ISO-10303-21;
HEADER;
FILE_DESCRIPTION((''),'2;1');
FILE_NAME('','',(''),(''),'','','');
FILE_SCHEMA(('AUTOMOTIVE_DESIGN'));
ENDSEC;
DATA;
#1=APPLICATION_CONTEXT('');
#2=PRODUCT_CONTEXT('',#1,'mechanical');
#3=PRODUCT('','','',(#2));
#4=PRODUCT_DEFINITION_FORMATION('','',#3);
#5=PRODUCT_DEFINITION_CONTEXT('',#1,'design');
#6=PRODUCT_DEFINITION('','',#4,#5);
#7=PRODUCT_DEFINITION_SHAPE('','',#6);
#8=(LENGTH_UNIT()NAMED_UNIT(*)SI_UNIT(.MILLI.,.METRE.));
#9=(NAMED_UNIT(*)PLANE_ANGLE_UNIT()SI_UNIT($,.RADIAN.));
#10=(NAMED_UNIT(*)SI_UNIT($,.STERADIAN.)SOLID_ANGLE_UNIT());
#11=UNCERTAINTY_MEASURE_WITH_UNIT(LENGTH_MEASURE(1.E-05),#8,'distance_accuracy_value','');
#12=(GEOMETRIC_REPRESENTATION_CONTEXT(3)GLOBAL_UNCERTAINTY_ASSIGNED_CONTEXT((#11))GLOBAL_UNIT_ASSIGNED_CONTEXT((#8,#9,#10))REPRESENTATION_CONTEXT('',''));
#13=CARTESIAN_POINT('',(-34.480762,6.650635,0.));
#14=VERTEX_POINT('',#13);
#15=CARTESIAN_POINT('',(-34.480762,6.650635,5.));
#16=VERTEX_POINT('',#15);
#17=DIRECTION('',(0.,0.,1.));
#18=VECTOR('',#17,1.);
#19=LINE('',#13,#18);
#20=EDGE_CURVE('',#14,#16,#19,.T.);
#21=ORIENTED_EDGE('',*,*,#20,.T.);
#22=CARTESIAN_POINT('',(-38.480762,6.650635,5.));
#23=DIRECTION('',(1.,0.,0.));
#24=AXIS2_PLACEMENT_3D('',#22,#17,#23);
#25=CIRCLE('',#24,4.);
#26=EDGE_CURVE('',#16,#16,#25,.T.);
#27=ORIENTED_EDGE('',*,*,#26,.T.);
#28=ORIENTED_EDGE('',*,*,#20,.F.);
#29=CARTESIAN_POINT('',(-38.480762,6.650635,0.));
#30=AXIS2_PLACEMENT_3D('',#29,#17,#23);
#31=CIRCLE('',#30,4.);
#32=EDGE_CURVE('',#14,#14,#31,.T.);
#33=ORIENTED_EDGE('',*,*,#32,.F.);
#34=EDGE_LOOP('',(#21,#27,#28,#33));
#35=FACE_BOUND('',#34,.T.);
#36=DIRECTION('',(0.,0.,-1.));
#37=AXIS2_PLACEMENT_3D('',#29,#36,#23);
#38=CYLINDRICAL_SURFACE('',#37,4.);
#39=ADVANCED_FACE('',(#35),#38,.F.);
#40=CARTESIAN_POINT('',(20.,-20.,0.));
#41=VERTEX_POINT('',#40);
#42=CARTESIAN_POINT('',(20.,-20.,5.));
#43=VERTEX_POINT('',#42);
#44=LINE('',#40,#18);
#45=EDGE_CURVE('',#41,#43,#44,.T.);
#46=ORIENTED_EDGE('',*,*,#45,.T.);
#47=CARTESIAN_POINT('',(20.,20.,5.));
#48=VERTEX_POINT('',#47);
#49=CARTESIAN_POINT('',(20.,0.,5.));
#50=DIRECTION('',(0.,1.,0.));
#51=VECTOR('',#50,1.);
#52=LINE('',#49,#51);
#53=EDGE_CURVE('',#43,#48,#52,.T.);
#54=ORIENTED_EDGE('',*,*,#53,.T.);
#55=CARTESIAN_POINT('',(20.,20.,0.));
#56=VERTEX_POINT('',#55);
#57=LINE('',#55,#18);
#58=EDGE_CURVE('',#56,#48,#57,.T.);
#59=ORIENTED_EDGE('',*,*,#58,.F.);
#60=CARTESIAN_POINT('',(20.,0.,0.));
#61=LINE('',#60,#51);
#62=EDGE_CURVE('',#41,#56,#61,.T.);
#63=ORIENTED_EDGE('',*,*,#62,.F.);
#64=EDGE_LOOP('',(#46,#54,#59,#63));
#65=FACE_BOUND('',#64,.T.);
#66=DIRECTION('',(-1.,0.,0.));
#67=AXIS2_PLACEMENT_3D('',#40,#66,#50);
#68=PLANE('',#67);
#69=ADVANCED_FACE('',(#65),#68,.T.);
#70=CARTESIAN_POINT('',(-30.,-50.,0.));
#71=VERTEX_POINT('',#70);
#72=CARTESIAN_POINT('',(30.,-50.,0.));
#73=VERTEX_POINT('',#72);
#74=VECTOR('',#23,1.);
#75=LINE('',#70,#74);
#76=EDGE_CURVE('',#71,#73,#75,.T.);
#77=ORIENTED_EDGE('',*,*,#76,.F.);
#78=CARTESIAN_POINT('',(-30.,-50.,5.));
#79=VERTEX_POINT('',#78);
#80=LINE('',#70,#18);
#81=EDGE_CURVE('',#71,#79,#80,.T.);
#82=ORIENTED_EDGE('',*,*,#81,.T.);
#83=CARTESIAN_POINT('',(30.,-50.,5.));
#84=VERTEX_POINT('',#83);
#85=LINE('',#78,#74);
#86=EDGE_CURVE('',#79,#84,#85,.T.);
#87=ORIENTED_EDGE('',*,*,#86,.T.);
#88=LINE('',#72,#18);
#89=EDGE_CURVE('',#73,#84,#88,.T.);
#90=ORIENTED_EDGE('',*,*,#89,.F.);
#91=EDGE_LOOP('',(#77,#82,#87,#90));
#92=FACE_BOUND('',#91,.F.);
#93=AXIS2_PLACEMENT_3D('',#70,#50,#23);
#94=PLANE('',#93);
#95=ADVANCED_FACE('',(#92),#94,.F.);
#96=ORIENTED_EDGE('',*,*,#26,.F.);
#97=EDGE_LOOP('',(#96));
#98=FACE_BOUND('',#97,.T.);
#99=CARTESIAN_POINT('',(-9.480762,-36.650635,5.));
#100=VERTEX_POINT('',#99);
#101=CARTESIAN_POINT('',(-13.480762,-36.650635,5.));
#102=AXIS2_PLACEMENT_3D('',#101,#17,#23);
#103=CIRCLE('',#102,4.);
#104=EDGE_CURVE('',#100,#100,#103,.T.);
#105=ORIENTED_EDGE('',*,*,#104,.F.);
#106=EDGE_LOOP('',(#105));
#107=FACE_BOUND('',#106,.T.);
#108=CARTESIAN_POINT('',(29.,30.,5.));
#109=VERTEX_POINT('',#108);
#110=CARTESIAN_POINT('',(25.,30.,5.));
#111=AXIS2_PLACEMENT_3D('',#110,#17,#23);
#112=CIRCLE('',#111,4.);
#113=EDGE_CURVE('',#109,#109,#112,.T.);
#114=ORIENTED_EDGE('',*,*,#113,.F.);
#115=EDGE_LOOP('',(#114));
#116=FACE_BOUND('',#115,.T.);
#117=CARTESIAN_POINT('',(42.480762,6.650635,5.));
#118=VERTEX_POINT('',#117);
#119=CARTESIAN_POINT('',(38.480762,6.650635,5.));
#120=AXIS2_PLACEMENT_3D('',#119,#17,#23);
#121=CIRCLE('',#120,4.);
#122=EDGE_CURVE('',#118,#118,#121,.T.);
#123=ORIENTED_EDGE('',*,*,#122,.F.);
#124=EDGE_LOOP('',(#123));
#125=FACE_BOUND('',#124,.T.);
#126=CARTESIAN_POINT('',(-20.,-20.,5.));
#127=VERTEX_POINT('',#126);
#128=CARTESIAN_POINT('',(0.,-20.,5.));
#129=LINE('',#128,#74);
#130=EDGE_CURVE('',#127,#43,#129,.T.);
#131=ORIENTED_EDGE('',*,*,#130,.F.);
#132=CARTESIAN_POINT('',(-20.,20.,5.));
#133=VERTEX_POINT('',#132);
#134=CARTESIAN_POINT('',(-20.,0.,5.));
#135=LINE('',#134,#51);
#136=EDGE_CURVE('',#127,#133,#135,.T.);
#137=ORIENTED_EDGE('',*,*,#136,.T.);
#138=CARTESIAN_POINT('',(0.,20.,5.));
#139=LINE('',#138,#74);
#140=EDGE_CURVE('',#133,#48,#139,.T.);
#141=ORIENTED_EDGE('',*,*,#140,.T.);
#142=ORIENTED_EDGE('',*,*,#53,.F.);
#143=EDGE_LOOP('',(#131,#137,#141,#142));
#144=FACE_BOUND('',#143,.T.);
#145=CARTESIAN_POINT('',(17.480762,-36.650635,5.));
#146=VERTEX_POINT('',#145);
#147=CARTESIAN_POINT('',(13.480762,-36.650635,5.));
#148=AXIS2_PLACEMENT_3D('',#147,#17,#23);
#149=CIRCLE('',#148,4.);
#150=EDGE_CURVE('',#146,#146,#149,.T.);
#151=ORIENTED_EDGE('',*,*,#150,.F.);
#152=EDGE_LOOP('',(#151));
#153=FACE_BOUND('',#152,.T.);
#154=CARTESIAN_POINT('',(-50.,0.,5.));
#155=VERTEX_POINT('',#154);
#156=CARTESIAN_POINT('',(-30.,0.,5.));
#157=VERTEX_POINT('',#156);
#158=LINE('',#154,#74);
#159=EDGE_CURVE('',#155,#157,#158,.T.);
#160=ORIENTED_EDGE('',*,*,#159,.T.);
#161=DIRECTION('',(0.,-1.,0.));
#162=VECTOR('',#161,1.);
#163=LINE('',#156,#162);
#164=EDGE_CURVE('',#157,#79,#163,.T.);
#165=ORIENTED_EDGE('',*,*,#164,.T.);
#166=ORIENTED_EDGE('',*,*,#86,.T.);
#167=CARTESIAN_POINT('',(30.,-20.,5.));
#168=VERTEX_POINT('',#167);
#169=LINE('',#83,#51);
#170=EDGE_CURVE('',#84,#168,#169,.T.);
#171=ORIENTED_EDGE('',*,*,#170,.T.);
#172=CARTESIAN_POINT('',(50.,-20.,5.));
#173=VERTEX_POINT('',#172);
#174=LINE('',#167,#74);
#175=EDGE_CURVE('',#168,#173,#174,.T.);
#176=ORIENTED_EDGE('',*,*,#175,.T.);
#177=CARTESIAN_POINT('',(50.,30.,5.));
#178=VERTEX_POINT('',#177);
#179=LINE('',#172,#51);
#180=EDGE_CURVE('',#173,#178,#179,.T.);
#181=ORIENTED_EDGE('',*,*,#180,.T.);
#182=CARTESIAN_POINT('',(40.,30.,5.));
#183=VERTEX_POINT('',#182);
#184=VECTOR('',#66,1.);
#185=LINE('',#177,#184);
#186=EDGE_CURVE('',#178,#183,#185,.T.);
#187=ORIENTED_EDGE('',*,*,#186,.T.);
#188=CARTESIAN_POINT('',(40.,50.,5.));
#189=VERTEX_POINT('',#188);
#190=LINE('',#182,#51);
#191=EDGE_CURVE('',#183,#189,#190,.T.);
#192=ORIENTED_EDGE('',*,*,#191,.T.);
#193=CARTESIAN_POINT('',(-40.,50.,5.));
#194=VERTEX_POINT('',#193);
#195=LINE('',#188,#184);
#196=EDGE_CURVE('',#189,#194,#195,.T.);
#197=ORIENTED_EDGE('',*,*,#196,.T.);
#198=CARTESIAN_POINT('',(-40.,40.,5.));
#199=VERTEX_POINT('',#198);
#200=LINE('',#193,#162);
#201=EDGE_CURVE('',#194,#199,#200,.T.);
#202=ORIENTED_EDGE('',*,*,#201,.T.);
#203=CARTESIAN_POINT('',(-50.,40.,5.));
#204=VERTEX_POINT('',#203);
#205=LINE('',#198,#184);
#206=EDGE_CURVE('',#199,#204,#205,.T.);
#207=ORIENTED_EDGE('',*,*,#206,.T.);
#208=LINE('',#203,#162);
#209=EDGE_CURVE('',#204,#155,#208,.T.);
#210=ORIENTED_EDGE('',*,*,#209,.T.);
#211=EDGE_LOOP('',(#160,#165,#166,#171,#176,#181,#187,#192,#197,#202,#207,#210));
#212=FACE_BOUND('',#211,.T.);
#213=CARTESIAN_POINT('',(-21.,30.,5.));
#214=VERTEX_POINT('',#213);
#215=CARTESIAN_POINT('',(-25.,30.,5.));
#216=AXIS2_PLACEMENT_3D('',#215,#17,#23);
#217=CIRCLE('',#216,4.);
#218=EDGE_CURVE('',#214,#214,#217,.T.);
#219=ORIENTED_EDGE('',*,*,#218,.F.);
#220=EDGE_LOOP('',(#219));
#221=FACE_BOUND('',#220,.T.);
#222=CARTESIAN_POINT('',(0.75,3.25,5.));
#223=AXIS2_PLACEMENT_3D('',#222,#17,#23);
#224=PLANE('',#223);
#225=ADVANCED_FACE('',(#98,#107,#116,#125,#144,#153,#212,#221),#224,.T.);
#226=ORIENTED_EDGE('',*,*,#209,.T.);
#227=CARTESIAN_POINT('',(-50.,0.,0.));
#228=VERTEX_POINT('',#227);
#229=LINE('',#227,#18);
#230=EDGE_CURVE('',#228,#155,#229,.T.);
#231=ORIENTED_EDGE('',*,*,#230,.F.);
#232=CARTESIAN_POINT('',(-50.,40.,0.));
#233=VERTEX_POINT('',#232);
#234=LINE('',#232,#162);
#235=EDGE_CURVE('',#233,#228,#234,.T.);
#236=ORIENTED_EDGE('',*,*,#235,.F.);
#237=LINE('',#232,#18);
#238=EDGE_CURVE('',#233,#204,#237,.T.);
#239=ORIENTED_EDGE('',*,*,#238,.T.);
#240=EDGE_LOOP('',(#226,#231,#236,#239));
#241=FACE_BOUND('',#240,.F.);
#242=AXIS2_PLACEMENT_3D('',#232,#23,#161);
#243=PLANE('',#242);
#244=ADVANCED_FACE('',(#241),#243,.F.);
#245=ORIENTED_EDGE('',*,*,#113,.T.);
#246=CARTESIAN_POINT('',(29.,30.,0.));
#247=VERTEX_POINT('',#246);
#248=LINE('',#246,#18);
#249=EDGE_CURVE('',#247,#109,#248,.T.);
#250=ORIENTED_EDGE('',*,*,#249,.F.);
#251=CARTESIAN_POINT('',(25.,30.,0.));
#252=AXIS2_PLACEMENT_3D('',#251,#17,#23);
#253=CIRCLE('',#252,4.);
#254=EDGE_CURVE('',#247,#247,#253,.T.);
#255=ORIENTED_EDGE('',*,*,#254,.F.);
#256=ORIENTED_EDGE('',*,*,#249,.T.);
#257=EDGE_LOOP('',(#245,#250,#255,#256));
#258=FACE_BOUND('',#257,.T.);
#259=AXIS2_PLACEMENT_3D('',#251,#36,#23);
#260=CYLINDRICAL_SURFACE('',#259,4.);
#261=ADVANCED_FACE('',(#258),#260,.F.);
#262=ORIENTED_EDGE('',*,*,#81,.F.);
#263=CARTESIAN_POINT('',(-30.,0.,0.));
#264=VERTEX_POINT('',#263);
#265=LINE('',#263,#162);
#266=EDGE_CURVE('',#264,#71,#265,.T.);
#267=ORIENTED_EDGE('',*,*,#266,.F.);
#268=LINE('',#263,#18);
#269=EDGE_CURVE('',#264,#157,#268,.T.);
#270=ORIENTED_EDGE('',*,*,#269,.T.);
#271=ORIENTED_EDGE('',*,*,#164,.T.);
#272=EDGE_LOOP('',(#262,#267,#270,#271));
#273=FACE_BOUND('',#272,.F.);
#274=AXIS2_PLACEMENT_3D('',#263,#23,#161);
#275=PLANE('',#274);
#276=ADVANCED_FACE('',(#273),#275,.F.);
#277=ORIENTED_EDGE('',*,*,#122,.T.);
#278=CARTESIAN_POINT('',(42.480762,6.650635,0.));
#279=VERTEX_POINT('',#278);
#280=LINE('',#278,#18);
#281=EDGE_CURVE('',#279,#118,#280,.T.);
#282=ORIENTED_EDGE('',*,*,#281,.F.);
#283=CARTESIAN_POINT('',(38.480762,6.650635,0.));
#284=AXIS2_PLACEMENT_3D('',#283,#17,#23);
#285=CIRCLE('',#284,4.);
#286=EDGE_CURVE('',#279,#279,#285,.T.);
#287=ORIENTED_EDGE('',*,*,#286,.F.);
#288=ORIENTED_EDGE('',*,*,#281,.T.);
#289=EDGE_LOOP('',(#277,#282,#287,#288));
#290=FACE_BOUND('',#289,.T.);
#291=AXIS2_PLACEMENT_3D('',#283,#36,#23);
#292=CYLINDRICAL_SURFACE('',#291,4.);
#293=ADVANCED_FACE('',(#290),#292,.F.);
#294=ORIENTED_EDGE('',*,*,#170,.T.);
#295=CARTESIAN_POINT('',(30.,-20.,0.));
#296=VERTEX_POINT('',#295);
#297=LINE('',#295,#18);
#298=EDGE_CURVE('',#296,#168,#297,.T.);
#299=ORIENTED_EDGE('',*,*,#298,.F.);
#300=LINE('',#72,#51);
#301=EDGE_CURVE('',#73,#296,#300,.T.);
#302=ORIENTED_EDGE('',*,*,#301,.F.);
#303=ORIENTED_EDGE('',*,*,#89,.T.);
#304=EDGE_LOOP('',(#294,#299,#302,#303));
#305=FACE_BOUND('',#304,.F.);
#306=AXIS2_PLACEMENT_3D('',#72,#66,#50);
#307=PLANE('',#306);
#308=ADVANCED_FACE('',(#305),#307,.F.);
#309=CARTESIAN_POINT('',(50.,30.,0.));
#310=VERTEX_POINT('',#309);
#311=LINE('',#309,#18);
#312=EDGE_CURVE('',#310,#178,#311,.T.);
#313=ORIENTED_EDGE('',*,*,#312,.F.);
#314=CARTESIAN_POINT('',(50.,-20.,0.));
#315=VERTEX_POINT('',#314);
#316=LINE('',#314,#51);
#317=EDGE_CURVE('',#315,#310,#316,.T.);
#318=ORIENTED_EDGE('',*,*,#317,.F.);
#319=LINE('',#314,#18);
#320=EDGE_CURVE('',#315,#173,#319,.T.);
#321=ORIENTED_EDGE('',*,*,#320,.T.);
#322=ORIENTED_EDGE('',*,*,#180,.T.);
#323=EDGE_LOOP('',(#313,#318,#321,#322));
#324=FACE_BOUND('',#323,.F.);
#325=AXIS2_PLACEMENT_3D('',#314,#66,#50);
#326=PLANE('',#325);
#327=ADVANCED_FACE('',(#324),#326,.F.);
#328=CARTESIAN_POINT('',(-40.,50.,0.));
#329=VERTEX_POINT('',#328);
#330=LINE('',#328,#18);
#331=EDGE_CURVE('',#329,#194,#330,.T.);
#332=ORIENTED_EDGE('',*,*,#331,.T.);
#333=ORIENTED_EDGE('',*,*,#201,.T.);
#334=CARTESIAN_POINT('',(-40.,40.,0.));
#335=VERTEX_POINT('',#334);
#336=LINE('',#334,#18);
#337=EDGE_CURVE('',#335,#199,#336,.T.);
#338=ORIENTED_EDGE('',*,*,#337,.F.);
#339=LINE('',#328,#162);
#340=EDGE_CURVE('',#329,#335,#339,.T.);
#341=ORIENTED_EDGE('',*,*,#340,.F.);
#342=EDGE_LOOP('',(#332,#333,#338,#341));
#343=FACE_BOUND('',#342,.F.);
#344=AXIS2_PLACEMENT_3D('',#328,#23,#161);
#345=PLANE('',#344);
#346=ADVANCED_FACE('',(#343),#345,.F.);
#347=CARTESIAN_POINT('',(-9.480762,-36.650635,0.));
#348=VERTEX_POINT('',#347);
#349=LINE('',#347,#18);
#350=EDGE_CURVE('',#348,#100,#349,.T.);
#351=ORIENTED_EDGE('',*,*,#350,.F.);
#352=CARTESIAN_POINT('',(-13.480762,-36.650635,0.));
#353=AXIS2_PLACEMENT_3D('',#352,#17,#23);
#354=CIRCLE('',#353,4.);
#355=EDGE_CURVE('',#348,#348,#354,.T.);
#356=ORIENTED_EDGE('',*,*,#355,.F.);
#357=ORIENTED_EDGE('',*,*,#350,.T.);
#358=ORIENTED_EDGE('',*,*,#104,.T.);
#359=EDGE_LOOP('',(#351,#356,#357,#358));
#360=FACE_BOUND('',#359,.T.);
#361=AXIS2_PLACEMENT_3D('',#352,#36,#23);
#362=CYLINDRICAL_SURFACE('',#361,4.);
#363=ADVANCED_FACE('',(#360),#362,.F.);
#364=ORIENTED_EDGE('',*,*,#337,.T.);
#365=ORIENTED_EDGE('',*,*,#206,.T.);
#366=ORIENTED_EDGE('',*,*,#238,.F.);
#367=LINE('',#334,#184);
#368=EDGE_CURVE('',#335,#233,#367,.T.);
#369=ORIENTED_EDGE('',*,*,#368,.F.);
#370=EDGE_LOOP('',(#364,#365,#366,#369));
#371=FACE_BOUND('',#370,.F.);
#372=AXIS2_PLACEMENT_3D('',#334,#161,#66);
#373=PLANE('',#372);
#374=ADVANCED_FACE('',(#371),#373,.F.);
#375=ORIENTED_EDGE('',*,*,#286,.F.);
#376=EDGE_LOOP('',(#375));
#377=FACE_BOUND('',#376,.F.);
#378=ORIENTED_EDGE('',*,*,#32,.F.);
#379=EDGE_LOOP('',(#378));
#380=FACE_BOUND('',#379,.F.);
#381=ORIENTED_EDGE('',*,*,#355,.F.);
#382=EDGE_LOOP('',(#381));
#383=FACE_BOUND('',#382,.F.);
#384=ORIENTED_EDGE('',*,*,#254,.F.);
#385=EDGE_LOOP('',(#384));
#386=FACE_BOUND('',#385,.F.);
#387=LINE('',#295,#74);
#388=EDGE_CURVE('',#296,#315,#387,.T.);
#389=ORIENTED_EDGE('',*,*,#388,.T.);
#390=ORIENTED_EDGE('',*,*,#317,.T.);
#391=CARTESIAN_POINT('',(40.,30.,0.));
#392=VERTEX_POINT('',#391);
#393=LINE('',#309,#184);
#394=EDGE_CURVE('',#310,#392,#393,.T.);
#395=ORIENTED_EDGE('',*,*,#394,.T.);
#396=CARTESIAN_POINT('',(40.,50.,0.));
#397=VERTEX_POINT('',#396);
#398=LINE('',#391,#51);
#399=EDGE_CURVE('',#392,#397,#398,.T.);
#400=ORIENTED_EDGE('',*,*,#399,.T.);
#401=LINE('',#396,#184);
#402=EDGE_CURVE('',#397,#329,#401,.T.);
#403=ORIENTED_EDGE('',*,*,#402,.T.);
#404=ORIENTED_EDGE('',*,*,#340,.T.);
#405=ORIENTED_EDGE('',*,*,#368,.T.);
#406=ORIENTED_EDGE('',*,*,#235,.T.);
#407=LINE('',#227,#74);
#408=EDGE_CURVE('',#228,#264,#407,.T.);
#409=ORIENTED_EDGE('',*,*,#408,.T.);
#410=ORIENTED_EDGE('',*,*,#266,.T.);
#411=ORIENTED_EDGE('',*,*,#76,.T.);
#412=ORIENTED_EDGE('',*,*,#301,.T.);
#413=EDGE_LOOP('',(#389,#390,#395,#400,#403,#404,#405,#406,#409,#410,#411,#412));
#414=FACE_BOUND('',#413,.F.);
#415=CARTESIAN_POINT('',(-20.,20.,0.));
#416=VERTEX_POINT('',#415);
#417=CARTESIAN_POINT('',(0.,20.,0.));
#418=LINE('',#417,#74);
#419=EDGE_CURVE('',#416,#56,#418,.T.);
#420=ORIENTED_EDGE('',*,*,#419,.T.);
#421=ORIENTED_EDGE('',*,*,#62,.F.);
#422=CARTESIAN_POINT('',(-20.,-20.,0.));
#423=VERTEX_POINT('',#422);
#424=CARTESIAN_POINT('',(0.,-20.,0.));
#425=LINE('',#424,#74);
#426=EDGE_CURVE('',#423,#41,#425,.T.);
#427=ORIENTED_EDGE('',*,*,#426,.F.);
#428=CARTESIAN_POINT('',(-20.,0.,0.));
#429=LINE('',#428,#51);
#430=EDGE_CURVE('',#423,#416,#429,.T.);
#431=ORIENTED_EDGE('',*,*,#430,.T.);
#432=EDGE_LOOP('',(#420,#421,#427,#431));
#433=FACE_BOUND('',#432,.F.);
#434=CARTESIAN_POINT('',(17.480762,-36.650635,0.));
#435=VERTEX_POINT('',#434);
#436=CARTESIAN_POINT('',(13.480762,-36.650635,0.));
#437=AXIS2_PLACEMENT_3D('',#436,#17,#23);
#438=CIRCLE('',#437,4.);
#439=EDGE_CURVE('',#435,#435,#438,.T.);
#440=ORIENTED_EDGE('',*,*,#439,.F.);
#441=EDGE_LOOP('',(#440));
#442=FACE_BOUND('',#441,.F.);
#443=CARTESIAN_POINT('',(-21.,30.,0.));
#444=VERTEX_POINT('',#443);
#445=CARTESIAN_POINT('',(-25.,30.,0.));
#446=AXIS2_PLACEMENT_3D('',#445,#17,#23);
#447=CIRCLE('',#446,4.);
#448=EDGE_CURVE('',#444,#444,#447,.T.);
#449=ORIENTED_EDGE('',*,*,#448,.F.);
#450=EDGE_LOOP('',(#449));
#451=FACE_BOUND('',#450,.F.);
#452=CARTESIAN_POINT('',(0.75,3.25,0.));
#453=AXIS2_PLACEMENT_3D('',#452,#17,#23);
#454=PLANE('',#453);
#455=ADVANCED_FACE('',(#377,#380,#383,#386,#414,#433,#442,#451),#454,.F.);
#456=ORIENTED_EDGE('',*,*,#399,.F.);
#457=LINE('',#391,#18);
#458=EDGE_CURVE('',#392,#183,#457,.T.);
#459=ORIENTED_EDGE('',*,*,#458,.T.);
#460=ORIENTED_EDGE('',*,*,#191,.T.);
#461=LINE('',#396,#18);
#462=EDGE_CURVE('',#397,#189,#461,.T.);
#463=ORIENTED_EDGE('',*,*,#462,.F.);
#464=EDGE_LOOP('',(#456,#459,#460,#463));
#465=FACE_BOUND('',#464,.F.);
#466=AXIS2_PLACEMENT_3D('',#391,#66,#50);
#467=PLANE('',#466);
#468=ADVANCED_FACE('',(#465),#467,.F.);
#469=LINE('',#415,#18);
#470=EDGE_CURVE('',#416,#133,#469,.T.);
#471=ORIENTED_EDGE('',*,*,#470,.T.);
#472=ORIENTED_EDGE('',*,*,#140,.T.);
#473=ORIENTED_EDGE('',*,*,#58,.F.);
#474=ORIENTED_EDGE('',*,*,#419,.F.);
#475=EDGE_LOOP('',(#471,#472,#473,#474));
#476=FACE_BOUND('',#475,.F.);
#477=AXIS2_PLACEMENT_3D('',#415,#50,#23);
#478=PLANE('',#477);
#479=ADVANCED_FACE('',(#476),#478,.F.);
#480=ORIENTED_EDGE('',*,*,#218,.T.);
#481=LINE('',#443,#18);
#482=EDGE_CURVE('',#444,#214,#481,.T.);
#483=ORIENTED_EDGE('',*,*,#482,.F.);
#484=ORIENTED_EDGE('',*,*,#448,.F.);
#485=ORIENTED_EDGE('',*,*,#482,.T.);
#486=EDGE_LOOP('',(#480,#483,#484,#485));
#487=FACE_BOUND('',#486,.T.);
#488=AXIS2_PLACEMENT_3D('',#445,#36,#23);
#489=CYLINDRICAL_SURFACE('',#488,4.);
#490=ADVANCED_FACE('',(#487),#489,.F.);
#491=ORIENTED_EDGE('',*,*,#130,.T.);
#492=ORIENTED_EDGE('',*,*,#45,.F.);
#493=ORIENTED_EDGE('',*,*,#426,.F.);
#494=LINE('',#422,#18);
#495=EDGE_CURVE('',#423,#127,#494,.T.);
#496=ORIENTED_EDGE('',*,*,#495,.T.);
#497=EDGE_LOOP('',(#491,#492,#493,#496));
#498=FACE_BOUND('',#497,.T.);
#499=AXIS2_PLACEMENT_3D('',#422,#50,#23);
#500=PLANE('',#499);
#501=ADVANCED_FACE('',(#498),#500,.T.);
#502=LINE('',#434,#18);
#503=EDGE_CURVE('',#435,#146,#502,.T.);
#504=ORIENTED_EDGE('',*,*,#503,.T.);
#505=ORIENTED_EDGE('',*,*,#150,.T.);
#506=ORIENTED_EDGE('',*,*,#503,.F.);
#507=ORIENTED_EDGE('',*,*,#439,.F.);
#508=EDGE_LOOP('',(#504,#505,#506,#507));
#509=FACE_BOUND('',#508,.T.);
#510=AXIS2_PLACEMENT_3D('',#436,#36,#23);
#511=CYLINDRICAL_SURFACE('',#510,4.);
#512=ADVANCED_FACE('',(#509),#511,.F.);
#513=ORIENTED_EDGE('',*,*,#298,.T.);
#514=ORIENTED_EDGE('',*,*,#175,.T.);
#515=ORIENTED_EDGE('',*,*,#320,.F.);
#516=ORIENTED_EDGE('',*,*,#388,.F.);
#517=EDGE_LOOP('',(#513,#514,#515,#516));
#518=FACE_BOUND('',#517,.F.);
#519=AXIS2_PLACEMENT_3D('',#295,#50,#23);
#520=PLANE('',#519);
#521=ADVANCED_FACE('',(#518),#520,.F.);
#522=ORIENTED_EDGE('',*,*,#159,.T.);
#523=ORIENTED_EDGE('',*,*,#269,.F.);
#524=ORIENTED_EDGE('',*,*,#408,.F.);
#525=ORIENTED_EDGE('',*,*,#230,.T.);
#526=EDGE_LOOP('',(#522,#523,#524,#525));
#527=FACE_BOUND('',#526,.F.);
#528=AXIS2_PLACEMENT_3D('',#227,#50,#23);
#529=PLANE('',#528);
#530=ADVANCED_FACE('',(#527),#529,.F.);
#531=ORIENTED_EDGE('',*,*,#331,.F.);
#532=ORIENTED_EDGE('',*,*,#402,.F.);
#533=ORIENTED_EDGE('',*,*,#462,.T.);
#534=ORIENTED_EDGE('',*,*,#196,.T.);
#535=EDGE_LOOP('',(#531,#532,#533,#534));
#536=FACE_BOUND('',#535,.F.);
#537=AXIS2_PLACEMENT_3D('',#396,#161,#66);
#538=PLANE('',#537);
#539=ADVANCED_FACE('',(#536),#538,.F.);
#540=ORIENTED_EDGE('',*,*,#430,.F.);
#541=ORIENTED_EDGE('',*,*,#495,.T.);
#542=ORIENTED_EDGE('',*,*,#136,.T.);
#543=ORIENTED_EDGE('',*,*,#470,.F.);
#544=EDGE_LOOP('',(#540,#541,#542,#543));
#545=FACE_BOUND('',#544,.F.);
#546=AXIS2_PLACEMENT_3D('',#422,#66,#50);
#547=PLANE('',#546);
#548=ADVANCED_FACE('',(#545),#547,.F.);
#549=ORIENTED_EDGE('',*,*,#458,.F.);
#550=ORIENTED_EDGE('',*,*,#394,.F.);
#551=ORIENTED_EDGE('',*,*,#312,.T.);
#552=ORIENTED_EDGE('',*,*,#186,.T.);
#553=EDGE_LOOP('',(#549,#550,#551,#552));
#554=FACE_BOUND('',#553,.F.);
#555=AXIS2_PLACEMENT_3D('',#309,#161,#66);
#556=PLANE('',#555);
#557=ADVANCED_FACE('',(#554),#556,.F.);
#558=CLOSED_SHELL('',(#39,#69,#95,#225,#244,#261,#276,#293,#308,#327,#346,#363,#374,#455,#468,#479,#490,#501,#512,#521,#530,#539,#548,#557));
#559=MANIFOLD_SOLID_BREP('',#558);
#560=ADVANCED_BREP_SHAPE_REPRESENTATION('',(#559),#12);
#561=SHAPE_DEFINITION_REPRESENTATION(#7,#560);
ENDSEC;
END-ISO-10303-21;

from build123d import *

# Parameters (mm, degrees)
F0_R     = 4
F0_W     = 40
F0_H     = 40
F1_DEPTH = 5


with BuildPart() as f1:
    # F0 (on Top) → F1 (new body)
    with BuildSketch(Plane.XY):
        Polygon((40, 50), (-40, 50), (-40, 40), (-50, 40), (-50, 0), (-30, 0), (-30, -50), (30, -50), (30, -20), (50, -20), (50, 30), (40, 30), align=None)
        with Locations((-13.480762, -36.650635)):
            Circle(F0_R, mode=Mode.SUBTRACT)
        with Locations((13.480762, -36.650635)):
            Circle(F0_R, mode=Mode.SUBTRACT)
        with Locations((-38.480762, 6.650635)):
            Circle(F0_R, mode=Mode.SUBTRACT)
        with Locations((-25, 30)):
            Circle(F0_R, mode=Mode.SUBTRACT)
        Rectangle(F0_W, F0_H, mode=Mode.SUBTRACT)
        with Locations((38.480762, 6.650635)):
            Circle(F0_R, mode=Mode.SUBTRACT)
        with Locations((25, 30)):
            Circle(F0_R, mode=Mode.SUBTRACT)
    extrude(amount=F1_DEPTH)


solid = f1.part
